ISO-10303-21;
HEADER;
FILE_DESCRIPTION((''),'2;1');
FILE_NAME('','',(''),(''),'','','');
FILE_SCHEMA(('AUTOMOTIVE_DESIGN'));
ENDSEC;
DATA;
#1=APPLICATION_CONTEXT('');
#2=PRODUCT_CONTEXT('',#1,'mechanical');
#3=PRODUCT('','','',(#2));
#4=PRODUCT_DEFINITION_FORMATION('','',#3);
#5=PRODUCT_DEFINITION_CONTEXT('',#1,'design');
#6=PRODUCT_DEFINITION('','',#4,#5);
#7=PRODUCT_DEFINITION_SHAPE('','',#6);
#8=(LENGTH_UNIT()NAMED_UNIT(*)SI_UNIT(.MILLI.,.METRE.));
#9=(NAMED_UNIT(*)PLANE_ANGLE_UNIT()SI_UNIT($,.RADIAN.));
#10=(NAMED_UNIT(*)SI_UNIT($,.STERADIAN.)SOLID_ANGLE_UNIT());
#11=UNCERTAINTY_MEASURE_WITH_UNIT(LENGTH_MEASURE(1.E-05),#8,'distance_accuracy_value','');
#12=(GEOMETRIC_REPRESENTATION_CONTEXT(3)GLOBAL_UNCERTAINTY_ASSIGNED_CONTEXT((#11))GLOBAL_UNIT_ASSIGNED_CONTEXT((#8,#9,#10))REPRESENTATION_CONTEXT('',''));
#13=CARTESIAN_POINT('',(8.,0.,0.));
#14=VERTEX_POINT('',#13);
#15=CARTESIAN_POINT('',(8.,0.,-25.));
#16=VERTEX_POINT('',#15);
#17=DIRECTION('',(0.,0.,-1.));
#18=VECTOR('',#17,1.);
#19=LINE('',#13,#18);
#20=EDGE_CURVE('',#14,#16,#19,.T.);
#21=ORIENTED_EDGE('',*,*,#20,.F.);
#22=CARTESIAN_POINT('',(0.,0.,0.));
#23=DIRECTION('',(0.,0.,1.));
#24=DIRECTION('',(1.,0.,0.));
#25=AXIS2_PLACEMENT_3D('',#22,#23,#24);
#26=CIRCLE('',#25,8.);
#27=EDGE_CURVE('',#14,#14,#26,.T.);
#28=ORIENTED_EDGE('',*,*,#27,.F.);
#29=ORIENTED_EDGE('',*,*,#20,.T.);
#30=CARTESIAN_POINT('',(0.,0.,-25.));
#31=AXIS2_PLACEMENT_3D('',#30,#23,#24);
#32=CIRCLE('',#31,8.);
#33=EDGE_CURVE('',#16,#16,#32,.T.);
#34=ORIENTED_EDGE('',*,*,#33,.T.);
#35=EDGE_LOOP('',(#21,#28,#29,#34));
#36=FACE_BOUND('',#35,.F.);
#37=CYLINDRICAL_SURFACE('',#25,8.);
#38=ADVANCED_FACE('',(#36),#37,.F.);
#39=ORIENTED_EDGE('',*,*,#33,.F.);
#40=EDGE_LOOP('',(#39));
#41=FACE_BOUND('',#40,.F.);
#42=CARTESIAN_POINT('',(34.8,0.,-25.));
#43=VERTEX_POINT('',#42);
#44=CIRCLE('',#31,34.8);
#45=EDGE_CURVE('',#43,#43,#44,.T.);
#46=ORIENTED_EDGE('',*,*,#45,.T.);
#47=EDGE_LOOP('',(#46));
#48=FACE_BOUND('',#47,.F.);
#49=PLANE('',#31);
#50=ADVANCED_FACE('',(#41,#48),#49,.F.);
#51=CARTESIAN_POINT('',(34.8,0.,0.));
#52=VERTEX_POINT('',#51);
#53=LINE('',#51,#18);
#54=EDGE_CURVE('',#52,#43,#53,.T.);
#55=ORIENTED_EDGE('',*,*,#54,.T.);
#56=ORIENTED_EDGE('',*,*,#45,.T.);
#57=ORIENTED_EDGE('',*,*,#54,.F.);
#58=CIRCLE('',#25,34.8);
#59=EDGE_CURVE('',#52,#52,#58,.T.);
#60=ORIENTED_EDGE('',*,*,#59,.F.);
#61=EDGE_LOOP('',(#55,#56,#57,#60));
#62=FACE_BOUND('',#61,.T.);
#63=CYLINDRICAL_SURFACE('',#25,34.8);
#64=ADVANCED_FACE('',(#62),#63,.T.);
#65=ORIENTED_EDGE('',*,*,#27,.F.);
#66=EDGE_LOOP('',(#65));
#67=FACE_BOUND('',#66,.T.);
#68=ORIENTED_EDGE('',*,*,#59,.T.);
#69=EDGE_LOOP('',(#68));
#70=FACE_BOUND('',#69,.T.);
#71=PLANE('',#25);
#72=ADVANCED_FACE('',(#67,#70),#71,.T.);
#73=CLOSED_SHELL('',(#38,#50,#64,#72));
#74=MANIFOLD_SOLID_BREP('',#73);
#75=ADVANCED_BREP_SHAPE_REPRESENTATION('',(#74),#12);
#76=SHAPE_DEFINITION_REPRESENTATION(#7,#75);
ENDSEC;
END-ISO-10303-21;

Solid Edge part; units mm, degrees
sketch "Sketch1" plane through (0, 0, 0) normal (0, 0, 1) x (1, 0, 0)
  circle A0 centre (0, 0) radius 34.8
extrude "Protrusion1" add sketch "Sketch1" against normal blind 25
sketch "Sketch2" plane through (0, 0, 0) normal (0, 0, 1) x (1, 0, 0)
  circle A0 centre (0, 0) radius 8
extrude "Recorte_Extrudado_2" cut sketch "Sketch2" against normal blind 25
